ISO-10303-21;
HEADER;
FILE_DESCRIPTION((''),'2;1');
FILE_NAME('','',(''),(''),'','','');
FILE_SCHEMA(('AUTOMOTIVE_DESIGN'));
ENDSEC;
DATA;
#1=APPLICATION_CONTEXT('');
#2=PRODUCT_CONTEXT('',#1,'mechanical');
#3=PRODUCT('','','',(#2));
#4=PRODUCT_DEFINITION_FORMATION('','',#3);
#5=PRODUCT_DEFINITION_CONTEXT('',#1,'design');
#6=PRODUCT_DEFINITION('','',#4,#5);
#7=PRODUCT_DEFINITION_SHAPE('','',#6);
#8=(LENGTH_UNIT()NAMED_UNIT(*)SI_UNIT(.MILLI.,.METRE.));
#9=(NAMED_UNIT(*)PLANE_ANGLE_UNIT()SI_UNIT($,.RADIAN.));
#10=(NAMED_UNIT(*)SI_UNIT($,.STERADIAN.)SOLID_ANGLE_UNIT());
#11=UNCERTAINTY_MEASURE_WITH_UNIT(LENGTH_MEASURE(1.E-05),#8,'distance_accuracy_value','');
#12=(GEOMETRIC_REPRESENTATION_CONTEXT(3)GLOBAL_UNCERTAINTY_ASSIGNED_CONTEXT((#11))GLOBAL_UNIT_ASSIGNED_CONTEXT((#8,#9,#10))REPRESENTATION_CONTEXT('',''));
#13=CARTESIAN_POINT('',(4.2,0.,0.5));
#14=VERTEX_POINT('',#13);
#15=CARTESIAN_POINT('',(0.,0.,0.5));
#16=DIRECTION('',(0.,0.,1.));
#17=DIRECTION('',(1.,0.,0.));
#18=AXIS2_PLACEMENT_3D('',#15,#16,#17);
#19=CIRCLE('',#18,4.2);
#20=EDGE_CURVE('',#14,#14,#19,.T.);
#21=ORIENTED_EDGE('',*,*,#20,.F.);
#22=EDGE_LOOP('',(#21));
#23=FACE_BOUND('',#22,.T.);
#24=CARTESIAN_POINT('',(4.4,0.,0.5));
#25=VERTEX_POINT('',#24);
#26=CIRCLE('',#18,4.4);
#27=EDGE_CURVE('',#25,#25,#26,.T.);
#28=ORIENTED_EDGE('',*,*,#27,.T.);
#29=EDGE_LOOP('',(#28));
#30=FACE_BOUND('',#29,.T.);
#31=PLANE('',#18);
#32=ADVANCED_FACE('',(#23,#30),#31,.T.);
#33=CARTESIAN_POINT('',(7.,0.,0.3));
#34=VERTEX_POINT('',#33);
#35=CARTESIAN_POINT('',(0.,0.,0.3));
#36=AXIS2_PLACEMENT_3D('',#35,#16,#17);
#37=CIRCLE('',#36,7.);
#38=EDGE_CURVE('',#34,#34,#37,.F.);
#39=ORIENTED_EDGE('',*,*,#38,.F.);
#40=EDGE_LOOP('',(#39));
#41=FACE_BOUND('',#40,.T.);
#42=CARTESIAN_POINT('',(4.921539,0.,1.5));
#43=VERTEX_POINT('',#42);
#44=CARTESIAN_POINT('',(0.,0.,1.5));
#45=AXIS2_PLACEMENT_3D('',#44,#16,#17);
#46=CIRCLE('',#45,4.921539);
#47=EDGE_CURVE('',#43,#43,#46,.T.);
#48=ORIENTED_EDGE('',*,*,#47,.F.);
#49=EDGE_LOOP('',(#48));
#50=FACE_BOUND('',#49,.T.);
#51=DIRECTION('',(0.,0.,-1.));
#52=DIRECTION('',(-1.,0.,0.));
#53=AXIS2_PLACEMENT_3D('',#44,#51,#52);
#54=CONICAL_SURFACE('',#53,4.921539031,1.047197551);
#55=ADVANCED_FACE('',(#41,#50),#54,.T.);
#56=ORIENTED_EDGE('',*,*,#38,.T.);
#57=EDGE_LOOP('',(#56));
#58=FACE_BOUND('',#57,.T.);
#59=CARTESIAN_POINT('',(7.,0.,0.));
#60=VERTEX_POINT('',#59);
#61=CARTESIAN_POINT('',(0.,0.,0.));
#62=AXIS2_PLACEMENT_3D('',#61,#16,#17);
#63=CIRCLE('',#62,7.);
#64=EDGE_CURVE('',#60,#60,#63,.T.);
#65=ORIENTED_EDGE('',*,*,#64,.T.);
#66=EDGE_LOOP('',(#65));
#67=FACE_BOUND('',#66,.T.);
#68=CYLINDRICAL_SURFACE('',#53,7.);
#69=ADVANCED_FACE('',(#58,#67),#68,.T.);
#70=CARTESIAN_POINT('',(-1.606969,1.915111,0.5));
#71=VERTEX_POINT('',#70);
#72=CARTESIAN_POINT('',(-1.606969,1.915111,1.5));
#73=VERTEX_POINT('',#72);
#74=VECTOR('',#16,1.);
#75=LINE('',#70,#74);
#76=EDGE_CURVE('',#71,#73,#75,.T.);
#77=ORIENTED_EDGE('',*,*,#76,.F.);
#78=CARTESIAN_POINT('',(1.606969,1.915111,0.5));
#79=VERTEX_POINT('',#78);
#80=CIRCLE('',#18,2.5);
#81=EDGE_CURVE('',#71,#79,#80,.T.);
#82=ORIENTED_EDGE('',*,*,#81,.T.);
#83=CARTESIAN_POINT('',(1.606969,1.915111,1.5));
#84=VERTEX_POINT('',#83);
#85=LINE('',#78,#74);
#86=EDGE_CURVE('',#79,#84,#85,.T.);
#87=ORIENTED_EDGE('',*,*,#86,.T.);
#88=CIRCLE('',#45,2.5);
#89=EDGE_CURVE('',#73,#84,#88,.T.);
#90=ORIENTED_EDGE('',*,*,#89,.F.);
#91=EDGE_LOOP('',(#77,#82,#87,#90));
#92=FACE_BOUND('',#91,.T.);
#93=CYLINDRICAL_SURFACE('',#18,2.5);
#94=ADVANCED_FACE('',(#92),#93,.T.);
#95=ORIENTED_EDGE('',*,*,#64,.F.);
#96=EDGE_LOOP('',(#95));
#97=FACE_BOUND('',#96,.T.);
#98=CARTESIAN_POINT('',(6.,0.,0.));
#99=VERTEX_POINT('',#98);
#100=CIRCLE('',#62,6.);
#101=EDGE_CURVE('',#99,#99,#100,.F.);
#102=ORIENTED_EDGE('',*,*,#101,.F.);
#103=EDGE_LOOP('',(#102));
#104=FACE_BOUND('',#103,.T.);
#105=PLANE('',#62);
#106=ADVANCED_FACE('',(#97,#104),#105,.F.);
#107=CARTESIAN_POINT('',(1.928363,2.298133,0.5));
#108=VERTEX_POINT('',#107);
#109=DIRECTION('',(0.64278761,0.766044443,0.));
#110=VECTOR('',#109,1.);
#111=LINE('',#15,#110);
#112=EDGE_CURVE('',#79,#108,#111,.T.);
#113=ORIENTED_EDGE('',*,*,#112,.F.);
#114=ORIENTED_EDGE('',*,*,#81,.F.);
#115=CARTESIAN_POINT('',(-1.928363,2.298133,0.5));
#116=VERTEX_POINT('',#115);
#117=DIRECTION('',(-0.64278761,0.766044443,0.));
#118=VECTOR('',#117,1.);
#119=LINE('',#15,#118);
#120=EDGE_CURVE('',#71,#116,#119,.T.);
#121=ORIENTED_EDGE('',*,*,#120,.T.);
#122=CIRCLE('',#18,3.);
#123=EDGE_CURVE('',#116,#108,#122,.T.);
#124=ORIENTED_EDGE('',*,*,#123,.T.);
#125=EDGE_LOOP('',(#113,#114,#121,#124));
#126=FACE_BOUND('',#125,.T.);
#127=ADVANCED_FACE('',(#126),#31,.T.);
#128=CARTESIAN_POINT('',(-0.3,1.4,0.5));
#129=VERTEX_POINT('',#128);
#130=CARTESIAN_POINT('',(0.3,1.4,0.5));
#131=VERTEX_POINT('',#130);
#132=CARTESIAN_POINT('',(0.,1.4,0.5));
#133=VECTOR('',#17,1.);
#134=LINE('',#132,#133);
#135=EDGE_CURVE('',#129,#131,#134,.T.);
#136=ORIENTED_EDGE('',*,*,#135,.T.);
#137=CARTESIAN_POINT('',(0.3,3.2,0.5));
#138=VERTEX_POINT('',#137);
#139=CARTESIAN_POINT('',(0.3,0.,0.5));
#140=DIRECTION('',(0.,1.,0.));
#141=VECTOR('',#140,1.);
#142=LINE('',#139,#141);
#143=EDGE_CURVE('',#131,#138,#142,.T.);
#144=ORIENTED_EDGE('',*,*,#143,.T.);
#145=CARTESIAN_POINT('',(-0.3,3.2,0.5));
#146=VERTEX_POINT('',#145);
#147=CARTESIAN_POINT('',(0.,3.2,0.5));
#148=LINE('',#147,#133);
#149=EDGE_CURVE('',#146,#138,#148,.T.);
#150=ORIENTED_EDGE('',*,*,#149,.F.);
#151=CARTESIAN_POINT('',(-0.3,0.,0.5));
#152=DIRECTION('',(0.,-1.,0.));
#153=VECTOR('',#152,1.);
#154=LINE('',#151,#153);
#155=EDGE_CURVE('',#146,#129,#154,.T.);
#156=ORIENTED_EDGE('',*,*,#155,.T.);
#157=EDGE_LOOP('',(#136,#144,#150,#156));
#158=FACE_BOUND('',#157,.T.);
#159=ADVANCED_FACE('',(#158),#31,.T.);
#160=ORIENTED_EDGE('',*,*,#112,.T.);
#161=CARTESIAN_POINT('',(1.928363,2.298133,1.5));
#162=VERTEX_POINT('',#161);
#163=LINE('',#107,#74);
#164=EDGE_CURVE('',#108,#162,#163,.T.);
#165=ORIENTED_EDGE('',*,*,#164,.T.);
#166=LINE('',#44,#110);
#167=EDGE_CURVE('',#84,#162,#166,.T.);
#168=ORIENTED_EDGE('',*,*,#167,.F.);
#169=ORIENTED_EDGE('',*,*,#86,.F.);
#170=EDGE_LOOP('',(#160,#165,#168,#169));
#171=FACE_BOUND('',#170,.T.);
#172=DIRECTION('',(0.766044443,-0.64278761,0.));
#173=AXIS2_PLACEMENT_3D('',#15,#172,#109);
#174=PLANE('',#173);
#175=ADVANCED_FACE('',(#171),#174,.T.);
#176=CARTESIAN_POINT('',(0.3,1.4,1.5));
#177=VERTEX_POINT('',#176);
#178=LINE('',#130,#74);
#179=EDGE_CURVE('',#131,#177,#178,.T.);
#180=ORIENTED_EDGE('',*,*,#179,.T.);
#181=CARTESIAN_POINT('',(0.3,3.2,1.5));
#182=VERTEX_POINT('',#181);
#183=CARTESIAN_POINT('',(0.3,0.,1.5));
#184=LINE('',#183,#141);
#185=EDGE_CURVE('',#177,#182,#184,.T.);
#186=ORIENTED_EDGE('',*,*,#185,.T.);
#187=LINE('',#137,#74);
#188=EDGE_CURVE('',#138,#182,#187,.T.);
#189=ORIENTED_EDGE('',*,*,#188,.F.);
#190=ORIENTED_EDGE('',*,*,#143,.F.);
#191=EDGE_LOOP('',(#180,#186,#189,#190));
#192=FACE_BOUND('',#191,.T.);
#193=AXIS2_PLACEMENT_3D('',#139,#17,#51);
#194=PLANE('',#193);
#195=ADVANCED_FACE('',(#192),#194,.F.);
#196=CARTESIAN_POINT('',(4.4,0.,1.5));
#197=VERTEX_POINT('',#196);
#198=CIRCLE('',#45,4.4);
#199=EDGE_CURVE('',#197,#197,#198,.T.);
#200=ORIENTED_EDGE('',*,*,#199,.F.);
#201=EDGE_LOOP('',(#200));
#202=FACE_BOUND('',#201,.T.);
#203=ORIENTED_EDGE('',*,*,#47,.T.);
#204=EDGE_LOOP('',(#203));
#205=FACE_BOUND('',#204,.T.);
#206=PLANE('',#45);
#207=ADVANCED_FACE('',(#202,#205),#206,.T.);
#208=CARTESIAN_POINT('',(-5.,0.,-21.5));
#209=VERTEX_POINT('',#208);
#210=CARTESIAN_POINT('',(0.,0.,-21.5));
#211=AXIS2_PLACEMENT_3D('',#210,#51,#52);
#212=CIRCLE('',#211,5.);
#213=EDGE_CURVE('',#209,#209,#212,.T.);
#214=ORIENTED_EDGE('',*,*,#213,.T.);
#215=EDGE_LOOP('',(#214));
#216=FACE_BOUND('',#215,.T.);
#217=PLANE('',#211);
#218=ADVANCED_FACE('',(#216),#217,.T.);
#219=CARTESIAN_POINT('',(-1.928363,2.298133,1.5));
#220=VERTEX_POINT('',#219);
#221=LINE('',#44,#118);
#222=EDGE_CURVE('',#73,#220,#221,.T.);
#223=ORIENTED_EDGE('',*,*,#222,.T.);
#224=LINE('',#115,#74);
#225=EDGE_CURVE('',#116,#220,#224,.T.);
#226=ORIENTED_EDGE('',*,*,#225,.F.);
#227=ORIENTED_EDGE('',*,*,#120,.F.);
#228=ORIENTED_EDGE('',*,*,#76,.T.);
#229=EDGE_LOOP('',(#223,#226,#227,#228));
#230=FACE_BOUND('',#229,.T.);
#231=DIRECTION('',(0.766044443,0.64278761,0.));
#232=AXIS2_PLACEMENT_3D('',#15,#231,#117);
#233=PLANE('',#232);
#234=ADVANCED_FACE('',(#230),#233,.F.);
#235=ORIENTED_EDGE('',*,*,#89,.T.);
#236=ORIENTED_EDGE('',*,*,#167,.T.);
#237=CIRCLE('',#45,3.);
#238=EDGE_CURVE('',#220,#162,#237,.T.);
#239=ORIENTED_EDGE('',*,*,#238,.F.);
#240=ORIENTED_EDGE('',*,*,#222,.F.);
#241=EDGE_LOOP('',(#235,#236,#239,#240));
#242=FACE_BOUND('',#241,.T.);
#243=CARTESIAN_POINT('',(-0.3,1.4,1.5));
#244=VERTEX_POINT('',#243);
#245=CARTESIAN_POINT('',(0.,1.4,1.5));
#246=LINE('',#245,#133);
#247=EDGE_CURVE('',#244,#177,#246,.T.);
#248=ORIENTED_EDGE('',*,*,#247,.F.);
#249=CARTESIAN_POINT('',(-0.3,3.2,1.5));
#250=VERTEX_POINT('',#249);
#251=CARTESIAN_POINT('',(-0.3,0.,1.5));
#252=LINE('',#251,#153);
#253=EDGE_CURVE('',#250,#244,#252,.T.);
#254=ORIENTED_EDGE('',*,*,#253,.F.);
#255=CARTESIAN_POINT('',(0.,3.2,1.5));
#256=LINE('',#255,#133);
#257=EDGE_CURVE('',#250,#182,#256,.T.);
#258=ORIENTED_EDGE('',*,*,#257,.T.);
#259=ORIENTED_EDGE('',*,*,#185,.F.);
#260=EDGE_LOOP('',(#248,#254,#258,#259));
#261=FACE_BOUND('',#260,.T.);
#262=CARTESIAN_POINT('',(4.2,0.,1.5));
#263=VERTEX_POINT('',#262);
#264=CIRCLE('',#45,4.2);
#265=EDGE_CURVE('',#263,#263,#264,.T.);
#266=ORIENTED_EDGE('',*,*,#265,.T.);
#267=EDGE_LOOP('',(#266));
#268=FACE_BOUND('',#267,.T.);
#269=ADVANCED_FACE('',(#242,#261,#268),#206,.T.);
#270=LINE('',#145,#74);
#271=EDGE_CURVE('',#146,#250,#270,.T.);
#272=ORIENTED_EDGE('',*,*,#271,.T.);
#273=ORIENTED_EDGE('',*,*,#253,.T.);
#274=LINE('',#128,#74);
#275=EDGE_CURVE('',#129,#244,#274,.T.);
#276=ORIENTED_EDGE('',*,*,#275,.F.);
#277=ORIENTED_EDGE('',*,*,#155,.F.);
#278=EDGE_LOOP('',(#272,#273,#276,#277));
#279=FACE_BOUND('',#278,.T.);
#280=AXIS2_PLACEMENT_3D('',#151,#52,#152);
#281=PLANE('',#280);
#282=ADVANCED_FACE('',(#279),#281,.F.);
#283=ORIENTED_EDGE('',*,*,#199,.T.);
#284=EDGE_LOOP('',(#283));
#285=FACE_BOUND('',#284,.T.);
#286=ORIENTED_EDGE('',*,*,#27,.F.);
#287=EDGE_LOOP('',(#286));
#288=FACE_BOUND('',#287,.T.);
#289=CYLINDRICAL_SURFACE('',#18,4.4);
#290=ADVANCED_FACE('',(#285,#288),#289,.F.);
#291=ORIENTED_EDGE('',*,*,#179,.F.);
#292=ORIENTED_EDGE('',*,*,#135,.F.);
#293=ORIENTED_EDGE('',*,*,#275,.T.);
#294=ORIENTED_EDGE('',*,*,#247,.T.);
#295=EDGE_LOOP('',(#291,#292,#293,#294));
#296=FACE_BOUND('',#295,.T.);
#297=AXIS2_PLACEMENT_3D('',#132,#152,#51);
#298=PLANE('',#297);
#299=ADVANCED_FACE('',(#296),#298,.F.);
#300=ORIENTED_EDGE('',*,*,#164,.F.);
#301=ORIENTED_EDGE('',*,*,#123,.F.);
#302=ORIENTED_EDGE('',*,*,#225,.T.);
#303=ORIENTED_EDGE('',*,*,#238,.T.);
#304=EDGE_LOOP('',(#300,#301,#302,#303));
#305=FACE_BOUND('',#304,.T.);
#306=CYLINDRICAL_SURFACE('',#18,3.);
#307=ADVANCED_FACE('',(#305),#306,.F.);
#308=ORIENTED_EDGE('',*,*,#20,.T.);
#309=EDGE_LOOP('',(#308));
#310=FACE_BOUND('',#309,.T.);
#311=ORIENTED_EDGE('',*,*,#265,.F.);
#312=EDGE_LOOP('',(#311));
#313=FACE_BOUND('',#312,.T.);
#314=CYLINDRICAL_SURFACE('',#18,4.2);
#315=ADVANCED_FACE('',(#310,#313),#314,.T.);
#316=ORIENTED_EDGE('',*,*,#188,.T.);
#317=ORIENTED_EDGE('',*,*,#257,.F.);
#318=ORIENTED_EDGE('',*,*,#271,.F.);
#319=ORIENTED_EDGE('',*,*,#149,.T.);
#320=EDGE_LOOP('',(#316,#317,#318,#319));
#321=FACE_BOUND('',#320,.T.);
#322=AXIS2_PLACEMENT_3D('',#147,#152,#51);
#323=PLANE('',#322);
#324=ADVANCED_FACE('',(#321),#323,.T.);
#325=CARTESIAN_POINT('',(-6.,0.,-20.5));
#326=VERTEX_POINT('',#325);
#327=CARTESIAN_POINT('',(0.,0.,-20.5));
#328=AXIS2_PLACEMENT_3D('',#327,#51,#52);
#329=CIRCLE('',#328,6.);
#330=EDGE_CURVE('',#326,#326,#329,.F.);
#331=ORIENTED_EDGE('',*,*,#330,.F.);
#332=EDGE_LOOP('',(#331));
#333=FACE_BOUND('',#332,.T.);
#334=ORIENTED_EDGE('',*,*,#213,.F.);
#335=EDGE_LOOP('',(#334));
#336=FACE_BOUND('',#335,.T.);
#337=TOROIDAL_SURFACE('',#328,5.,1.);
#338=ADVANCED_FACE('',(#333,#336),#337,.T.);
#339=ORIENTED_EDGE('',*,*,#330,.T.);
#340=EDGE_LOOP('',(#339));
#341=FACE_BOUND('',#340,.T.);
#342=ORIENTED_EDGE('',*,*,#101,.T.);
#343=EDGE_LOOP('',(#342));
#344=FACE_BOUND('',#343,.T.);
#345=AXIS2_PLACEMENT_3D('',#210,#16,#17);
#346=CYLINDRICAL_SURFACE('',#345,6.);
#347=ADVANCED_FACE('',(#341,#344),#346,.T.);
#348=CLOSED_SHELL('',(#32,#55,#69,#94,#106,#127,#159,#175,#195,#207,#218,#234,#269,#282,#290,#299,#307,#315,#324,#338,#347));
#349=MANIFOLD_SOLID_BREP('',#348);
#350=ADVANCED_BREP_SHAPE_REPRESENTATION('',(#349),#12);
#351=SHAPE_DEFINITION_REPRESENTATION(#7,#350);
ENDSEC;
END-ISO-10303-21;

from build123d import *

# Parameters (mm, degrees)
SKETCH_1_R          = 7
EXTRUDE_1_DEPTH     = 1.5
CHAMFER_1_SIZE      = 1.2
CHAMFER_1_SIZE2     = 2.078460969
SKETCH_2_R          = 4.4
SKETCH_2_R_2        = 4.2
CUT_EXTRUDE_1_DEPTH = 1
SKETCH_3_R          = 6
EXTRUDE_2_DEPTH     = 21.5
FILLET_1_R          = 1


with BuildPart() as part:
    # 草图1 → 凸台-拉伸1 (new body)
    with BuildSketch(Plane.XY):
        Circle(SKETCH_1_R)
    extrude(amount=EXTRUDE_1_DEPTH)

    # 倒角1
    chamfer_1_edges = [part.edges().sort_by_distance(p)[0] for p in [
        (-7, 0, 1.5),
    ]]
    chamfer_1_side = [part.faces().sort_by_distance(p)[0] for p in [
        (-7, 0, 0.75),
    ]]
    chamfer(chamfer_1_edges, length=CHAMFER_1_SIZE, length2=CHAMFER_1_SIZE2, reference=chamfer_1_side[0])

    # 草图2 → 切除-拉伸1 (cut)
    # profile 1 of 3: a face of its own
    with BuildSketch(Plane.XY.offset(1.5)):
        Circle(SKETCH_2_R)
        Circle(SKETCH_2_R_2, mode=Mode.SUBTRACT)
    # profile 2 of 3: a face of its own
    with BuildSketch(Plane.XY.offset(1.5)):
        with BuildLine():
            Line((-1.606969024, 1.915111108), (-1.928362829, 2.298133329))
            ThreePointArc((-1.928362829, 2.298133329), (0, -3), (1.928362829, 2.298133329))
            Line((1.928362829, 2.298133329), (1.606969024, 1.915111108))
            ThreePointArc((1.606969024, 1.915111108), (0, -2.5), (-1.606969024, 1.915111108))
        make_face()
    # profile 3 of 3: a face of its own
    with BuildSketch(Plane.XY.offset(1.5)):
        Polygon((-0.3, 1.4), (0.3, 1.4), (0.3, 3.2), (0, 3.2), (-0.3, 3.2), align=None)
    extrude(amount=-CUT_EXTRUDE_1_DEPTH, mode=Mode.SUBTRACT)

    # 草图3 → 凸台-拉伸2 (add)
    with BuildSketch(Plane(origin=(0, 0, 0), x_dir=(-1, 0, 0), z_dir=(0, 0, -1))):
        with Locations(Location((0, 0, 0), (0, 0, 180))):
            Circle(SKETCH_3_R)
    extrude(amount=EXTRUDE_2_DEPTH)

    # 圆角1
    fillet_1_edges = [part.edges().sort_by_distance(p)[0] for p in [
        (-6, 0, -21.5),
    ]]
    fillet(fillet_1_edges, radius=FILLET_1_R)


solid = part.part
